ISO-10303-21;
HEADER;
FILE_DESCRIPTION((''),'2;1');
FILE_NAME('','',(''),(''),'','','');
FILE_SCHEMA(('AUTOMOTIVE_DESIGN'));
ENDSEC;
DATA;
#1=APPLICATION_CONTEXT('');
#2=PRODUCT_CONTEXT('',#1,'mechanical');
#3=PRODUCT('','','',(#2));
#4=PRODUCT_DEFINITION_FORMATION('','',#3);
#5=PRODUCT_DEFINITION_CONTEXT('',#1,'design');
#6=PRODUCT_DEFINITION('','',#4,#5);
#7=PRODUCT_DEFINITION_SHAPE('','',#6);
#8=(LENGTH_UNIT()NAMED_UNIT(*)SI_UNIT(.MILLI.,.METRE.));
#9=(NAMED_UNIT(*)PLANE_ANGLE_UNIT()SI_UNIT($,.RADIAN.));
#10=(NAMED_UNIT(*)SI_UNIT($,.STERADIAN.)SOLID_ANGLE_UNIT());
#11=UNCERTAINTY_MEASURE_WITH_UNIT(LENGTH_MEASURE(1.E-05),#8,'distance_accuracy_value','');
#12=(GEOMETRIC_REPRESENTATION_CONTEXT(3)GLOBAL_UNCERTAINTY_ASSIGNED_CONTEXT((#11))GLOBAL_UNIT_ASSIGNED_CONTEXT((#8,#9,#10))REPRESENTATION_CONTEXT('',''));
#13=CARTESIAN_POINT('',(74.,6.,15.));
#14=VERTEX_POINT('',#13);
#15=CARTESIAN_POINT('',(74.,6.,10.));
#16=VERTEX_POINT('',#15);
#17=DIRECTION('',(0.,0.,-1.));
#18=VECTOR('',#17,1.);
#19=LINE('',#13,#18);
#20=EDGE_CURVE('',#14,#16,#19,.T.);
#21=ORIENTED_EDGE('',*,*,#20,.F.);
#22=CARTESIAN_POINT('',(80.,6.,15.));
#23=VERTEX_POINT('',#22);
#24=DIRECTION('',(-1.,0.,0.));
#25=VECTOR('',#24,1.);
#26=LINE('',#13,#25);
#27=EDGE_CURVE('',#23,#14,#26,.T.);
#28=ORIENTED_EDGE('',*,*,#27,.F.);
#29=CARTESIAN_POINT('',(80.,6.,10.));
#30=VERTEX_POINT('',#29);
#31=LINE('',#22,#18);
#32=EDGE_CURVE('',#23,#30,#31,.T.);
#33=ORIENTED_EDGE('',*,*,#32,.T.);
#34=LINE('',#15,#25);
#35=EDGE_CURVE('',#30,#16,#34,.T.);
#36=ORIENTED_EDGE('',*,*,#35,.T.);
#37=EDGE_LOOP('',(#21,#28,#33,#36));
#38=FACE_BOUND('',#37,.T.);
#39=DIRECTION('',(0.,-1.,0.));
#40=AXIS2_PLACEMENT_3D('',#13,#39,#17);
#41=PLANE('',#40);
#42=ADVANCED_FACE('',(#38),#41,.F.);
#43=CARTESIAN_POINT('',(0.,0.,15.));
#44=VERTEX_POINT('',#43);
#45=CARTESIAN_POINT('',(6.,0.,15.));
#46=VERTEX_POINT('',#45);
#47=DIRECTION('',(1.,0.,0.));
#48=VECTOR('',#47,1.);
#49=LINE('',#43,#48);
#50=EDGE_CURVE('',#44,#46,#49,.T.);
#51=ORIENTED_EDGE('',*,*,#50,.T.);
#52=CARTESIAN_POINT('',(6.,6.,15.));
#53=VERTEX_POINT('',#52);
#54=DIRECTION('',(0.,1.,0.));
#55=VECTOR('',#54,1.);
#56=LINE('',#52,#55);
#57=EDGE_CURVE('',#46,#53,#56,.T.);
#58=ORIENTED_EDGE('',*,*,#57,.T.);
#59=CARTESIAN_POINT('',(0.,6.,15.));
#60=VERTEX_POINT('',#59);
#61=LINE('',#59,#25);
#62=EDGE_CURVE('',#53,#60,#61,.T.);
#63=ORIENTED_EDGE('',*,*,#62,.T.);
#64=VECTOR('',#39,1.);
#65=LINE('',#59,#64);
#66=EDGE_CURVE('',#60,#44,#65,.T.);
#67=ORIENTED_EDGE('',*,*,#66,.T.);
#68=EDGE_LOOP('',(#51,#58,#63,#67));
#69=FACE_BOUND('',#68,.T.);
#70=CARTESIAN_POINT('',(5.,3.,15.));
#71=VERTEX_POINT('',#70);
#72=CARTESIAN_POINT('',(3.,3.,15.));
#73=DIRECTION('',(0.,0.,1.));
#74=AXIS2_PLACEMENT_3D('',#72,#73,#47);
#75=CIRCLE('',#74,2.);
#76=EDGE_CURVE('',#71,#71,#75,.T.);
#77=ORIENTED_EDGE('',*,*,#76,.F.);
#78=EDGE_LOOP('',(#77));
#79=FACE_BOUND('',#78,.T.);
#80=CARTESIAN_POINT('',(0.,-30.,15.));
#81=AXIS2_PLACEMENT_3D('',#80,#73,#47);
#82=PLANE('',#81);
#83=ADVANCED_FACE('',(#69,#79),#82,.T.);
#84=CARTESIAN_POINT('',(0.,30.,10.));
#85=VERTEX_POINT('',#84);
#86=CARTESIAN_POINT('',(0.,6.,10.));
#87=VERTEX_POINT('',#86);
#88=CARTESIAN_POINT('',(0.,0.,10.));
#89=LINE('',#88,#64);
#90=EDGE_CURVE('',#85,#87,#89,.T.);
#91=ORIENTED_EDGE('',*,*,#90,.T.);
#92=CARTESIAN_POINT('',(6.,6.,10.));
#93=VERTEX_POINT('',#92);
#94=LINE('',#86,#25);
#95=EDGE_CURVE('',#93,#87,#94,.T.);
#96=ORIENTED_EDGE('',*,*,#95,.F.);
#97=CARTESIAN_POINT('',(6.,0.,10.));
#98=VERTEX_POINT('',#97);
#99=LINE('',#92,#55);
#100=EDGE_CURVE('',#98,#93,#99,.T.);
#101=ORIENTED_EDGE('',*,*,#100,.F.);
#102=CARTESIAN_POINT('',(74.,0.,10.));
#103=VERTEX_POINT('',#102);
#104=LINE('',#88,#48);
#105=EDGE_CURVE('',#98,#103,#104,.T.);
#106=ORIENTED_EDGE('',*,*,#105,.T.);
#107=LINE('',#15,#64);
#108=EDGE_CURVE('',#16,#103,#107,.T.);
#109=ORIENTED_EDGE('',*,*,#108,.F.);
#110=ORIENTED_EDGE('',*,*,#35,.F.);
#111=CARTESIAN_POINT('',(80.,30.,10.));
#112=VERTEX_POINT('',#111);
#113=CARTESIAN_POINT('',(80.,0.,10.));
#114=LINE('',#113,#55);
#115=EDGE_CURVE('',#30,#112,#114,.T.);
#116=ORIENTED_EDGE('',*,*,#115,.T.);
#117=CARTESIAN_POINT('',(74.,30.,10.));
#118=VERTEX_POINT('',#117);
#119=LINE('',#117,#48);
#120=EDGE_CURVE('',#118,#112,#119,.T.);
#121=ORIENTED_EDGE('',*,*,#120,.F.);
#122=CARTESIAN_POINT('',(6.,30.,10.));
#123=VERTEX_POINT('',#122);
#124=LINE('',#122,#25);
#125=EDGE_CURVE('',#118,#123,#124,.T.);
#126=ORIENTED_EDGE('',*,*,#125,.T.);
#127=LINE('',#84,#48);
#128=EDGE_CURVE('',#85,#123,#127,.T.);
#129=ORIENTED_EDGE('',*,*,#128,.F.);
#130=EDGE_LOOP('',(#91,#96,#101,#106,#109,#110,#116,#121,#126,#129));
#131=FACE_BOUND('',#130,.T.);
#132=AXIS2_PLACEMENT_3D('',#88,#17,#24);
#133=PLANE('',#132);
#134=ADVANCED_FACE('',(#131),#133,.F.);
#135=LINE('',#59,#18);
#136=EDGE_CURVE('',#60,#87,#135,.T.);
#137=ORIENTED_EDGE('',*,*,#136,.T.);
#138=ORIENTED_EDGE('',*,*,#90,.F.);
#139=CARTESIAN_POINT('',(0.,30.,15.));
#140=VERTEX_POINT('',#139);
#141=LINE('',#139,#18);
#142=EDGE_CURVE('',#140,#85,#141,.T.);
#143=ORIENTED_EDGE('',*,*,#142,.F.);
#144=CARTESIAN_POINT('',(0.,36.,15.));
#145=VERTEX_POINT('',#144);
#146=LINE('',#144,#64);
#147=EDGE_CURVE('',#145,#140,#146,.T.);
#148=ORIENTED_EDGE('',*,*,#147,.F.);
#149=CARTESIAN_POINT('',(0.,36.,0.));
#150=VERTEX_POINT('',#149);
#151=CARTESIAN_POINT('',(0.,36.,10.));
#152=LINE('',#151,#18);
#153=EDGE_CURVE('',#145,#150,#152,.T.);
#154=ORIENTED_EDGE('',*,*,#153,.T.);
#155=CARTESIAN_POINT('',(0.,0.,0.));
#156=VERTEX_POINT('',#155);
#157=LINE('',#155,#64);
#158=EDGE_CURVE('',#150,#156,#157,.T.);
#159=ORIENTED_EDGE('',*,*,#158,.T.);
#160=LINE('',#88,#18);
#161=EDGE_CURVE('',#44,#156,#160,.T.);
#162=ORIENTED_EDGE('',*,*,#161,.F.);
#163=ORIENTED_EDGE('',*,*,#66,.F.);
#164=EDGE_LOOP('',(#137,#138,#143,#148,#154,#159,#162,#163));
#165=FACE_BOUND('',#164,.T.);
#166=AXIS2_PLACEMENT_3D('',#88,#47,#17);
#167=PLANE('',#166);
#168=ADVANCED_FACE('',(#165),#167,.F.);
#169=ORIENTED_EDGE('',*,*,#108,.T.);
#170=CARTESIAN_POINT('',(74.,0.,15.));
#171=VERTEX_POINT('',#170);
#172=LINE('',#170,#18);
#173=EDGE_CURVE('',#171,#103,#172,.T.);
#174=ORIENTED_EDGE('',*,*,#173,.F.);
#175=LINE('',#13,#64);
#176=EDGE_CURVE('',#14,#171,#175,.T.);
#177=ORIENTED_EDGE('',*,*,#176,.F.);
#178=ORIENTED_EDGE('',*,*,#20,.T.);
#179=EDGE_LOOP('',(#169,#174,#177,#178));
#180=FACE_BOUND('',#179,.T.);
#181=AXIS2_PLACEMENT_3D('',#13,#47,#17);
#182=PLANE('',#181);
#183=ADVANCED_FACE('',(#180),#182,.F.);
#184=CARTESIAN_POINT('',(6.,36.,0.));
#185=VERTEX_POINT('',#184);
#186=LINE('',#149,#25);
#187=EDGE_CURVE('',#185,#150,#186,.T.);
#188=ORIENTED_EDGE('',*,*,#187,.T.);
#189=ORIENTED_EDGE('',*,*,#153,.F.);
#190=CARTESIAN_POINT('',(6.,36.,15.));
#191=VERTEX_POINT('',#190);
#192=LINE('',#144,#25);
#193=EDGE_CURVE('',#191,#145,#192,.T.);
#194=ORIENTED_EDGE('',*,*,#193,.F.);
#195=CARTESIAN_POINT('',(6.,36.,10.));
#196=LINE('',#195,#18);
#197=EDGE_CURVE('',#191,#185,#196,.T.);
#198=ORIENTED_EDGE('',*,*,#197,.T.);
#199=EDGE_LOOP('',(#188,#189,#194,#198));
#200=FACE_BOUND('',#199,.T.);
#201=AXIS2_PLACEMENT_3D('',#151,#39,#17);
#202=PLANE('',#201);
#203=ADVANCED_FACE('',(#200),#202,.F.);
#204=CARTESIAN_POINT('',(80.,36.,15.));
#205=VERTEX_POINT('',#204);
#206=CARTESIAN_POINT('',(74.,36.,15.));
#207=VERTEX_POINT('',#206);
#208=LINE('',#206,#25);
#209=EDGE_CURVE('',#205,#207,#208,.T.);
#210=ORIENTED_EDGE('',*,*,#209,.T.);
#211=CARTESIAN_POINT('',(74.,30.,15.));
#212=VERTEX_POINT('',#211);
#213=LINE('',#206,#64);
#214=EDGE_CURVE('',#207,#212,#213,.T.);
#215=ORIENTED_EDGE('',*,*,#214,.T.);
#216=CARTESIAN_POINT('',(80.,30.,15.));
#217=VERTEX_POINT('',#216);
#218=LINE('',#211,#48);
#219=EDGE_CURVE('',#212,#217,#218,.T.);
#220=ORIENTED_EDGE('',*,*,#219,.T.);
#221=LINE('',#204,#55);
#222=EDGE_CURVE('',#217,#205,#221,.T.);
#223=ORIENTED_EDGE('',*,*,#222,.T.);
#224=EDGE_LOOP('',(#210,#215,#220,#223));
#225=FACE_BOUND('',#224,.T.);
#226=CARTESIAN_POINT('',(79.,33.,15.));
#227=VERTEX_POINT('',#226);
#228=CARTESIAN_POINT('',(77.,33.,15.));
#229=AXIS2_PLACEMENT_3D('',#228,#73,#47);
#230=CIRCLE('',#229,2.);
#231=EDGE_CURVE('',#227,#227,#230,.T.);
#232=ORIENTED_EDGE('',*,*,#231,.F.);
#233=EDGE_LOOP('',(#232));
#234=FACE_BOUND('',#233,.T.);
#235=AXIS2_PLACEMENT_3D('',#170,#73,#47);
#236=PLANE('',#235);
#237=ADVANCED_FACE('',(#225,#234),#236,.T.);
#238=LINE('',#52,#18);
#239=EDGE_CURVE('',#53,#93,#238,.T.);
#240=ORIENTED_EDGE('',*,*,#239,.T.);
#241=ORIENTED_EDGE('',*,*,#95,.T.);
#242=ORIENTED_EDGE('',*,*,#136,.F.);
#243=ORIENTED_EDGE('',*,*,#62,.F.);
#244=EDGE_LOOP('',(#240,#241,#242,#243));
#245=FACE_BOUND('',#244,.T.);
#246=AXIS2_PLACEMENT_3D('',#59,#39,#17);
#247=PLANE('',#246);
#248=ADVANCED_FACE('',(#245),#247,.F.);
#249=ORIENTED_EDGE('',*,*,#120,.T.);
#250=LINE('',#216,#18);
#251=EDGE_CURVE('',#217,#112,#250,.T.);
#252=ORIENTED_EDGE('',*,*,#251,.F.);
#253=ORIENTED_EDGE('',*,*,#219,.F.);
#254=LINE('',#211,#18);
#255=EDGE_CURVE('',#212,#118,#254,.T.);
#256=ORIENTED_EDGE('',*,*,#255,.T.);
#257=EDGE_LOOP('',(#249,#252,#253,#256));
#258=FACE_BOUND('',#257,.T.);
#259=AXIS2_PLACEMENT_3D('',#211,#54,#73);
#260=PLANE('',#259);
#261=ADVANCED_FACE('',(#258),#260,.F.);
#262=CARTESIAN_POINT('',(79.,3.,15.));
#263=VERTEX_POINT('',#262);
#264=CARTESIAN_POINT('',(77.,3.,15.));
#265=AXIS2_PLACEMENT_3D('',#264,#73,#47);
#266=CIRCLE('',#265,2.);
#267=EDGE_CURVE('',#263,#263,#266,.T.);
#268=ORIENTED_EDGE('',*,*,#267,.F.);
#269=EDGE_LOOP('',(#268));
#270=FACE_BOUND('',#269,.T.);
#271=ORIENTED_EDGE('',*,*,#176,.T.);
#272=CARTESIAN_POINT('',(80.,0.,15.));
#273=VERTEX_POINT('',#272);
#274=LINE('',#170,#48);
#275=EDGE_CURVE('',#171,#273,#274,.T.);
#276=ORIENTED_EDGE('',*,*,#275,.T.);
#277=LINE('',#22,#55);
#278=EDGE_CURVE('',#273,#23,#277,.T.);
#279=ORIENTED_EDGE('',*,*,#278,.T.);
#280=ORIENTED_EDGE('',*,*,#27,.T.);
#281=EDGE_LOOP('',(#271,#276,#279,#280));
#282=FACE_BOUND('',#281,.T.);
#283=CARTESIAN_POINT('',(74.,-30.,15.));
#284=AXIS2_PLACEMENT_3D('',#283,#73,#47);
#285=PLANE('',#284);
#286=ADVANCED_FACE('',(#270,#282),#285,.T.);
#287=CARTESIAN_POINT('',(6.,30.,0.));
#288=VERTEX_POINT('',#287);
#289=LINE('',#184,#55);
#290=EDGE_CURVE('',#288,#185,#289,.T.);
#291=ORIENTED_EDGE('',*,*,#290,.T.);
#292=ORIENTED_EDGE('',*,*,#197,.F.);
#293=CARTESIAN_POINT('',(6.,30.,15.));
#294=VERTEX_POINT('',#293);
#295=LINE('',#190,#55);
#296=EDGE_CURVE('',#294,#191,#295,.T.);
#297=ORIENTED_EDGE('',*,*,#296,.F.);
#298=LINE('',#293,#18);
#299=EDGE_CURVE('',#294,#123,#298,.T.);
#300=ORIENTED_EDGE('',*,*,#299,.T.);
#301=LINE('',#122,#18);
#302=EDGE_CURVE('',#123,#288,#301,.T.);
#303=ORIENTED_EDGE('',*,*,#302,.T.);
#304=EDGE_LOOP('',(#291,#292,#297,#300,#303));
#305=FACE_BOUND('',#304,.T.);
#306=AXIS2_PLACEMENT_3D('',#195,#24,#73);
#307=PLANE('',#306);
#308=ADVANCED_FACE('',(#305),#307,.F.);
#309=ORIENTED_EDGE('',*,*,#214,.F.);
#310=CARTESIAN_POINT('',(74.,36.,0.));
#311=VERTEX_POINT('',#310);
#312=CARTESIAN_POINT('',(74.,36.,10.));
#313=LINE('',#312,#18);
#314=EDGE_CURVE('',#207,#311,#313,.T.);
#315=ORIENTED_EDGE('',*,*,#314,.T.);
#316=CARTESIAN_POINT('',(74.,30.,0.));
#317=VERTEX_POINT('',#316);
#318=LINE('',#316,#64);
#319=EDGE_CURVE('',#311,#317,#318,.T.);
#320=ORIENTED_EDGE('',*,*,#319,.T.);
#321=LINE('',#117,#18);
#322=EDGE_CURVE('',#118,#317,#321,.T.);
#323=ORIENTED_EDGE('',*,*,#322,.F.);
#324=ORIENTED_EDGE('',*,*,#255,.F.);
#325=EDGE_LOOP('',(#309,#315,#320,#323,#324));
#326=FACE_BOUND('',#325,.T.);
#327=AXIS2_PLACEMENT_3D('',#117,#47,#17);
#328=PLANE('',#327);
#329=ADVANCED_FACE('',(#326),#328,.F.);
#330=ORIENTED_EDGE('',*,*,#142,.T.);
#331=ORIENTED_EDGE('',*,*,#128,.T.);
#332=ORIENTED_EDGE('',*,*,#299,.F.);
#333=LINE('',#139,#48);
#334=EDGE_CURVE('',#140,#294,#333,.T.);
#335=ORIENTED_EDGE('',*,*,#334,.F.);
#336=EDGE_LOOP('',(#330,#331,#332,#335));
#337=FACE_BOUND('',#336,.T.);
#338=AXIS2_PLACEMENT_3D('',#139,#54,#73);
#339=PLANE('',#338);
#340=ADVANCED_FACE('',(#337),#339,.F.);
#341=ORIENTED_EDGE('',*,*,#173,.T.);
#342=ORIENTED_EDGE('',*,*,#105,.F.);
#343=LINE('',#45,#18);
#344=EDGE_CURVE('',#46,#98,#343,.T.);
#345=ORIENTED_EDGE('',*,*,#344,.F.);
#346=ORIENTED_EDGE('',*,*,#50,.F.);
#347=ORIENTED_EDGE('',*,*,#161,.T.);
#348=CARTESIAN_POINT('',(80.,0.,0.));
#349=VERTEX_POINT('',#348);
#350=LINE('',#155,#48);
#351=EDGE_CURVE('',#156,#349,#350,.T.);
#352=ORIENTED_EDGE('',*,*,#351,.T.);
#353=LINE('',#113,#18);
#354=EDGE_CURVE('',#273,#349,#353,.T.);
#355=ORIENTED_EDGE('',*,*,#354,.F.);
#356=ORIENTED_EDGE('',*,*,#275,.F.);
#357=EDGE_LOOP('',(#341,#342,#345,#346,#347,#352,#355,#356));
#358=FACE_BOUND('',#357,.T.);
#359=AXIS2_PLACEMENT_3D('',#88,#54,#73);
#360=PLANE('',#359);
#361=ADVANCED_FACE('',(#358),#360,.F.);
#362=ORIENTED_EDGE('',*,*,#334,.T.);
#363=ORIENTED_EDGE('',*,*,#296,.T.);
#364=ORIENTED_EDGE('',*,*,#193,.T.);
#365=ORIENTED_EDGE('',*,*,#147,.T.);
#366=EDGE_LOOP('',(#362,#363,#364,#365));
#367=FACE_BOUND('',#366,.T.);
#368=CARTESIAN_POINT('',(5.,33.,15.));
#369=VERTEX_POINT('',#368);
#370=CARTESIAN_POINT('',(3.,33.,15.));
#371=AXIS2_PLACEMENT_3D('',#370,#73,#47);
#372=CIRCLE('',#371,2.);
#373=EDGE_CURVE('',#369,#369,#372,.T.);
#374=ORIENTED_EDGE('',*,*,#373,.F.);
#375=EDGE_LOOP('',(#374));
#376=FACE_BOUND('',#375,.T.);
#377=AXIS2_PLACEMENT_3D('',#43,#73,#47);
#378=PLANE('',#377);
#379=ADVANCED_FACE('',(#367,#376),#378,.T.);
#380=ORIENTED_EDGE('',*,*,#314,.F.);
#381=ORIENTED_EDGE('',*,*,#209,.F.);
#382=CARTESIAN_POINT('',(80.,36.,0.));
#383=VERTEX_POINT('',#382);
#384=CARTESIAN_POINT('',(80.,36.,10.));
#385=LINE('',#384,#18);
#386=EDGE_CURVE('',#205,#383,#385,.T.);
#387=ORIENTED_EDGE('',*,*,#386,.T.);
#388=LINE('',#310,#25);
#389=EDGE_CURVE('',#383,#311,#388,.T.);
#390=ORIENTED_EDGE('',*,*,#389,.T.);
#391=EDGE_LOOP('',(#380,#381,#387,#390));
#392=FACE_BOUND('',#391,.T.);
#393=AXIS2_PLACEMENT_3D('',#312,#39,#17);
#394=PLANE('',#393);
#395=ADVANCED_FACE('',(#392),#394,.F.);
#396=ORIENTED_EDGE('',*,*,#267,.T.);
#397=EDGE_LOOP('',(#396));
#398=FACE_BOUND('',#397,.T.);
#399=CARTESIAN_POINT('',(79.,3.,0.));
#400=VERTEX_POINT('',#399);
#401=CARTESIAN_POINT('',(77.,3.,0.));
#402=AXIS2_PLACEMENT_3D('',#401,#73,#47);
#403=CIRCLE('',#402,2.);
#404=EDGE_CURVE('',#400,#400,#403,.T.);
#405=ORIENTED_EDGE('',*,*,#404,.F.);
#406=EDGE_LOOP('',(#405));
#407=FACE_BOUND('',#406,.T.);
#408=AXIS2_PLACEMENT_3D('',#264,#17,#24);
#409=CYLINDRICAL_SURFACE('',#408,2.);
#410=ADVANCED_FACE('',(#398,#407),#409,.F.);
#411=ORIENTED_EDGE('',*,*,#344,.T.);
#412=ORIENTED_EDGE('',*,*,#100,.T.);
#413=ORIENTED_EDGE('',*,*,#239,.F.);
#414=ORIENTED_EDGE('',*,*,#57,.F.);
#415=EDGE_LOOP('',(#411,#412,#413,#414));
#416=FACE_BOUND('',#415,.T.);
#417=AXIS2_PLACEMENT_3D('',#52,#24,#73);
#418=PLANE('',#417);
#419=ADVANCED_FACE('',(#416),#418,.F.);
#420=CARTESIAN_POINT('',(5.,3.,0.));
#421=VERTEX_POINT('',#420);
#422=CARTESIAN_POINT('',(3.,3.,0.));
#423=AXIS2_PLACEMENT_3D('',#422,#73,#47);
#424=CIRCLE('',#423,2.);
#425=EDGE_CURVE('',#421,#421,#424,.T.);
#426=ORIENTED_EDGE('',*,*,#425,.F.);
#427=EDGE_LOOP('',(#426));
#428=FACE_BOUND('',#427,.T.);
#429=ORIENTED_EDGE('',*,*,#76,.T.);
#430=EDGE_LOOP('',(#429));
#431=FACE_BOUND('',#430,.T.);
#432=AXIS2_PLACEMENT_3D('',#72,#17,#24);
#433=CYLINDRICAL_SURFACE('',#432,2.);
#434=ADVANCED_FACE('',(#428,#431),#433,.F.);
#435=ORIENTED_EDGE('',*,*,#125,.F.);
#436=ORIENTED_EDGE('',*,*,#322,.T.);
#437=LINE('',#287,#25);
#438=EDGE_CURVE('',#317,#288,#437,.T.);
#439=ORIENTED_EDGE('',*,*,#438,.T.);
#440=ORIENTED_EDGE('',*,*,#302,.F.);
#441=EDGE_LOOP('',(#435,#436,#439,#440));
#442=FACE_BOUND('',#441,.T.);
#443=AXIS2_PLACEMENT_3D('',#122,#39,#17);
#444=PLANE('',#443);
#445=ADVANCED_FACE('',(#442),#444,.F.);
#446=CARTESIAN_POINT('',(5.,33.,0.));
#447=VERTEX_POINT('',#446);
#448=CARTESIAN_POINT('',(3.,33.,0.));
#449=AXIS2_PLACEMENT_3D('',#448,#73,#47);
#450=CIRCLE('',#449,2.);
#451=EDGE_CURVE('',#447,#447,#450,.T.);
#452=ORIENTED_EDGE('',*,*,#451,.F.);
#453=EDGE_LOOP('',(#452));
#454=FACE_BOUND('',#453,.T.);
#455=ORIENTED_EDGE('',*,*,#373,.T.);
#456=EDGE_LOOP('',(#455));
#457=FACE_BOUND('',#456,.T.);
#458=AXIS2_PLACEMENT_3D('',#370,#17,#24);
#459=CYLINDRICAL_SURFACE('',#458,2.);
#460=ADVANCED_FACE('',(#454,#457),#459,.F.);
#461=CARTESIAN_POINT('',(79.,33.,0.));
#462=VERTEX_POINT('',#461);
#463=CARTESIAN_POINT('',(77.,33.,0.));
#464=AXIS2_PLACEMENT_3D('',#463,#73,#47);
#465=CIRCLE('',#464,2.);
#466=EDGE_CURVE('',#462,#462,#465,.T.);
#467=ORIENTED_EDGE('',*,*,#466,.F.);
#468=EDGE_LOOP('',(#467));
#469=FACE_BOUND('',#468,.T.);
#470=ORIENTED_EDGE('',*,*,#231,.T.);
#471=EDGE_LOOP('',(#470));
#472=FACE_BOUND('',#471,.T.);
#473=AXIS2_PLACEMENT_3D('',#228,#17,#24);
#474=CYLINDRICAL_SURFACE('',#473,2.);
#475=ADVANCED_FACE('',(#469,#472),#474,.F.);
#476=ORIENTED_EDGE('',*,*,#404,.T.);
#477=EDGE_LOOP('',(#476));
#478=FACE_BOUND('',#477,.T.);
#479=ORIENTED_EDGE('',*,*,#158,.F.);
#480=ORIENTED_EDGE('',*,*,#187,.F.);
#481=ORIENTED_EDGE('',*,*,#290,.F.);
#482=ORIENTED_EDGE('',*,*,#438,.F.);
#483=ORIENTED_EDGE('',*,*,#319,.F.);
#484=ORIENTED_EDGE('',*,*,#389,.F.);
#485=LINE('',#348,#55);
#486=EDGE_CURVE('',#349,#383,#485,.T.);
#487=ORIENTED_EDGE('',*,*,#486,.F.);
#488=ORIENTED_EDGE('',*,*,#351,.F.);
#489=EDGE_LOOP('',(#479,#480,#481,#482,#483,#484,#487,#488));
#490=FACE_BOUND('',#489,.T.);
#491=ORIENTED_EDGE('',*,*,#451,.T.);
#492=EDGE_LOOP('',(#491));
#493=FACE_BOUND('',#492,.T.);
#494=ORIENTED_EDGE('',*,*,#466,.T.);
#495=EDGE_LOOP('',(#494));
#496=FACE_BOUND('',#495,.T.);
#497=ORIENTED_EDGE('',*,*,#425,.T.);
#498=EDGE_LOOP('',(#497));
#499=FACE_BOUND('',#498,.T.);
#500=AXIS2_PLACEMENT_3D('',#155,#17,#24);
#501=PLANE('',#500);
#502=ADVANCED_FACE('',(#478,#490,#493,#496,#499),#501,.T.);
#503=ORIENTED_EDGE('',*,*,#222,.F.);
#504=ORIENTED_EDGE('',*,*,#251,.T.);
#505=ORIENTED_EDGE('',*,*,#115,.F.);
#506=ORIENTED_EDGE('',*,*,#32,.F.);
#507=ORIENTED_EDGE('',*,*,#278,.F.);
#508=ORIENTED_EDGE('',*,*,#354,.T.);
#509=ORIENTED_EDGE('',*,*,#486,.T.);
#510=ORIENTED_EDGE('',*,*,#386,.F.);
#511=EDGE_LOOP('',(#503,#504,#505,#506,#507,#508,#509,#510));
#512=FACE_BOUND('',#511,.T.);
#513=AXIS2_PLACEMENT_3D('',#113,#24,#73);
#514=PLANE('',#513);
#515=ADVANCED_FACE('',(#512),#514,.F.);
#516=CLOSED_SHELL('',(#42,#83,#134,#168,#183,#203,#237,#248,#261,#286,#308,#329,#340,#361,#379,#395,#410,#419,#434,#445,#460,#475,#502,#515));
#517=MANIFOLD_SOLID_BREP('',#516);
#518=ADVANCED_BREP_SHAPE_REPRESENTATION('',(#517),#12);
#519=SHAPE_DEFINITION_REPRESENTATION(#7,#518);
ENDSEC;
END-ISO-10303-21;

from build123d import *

# Parameters (mm, degrees)
BOSS_EXTRUDE1_DEPTH  = 10
SKETCH2_W            = 6
SKETCH2_H            = 6
SKETCH2_R            = 2
BOSS_EXTRUDE2_DEPTH  = 5
SKETCH2_2_R          = 2
CUT_EXTRUDE1_DEPTH   = 11
LPATTERN2_COUNT      = 2
LPATTERN2_PITCH      = 74
LPATTERN2_COUNT_DIR2 = 2
LPATTERN2_PITCH_DIR2 = 30


with BuildPart() as part:
    # Sketch1 → Boss-Extrude1 (new body)
    with BuildSketch(Plane.XY):
        Polygon((0, 36), (6, 36), (6, 30), (74, 30), (74, 36), (80, 36), (80, 0), (0, 0), align=None)
    extrude(amount=BOSS_EXTRUDE1_DEPTH)

    # Sketch2 → Boss-Extrude2 (add)
    with BuildSketch(Plane.XY.offset(10)):
        with Locations((3, 33)):
            Rectangle(SKETCH2_W, SKETCH2_H)
        with Locations((3, 33)):
            Circle(SKETCH2_R, mode=Mode.SUBTRACT)
    boss_extrude2 = extrude(amount=BOSS_EXTRUDE2_DEPTH)

    # Sketch2<2> → Cut-Extrude1 (cut, through all)
    with BuildSketch(Plane.XY.offset(10)):
        with Locations((3, 33)):
            Circle(SKETCH2_2_R)
    cut_extrude1 = extrude(amount=-CUT_EXTRUDE1_DEPTH, mode=Mode.SUBTRACT)

    # LPattern2: Boss-Extrude2, Cut-Extrude1 2 × 2
    with Locations(*[(i * LPATTERN2_PITCH, -j * LPATTERN2_PITCH_DIR2, 0) for i in range(LPATTERN2_COUNT) for j in range(LPATTERN2_COUNT_DIR2) if (i, j) != (0, 0)]):
        add(boss_extrude2)
        add(cut_extrude1, mode=Mode.SUBTRACT)


solid = part.part
